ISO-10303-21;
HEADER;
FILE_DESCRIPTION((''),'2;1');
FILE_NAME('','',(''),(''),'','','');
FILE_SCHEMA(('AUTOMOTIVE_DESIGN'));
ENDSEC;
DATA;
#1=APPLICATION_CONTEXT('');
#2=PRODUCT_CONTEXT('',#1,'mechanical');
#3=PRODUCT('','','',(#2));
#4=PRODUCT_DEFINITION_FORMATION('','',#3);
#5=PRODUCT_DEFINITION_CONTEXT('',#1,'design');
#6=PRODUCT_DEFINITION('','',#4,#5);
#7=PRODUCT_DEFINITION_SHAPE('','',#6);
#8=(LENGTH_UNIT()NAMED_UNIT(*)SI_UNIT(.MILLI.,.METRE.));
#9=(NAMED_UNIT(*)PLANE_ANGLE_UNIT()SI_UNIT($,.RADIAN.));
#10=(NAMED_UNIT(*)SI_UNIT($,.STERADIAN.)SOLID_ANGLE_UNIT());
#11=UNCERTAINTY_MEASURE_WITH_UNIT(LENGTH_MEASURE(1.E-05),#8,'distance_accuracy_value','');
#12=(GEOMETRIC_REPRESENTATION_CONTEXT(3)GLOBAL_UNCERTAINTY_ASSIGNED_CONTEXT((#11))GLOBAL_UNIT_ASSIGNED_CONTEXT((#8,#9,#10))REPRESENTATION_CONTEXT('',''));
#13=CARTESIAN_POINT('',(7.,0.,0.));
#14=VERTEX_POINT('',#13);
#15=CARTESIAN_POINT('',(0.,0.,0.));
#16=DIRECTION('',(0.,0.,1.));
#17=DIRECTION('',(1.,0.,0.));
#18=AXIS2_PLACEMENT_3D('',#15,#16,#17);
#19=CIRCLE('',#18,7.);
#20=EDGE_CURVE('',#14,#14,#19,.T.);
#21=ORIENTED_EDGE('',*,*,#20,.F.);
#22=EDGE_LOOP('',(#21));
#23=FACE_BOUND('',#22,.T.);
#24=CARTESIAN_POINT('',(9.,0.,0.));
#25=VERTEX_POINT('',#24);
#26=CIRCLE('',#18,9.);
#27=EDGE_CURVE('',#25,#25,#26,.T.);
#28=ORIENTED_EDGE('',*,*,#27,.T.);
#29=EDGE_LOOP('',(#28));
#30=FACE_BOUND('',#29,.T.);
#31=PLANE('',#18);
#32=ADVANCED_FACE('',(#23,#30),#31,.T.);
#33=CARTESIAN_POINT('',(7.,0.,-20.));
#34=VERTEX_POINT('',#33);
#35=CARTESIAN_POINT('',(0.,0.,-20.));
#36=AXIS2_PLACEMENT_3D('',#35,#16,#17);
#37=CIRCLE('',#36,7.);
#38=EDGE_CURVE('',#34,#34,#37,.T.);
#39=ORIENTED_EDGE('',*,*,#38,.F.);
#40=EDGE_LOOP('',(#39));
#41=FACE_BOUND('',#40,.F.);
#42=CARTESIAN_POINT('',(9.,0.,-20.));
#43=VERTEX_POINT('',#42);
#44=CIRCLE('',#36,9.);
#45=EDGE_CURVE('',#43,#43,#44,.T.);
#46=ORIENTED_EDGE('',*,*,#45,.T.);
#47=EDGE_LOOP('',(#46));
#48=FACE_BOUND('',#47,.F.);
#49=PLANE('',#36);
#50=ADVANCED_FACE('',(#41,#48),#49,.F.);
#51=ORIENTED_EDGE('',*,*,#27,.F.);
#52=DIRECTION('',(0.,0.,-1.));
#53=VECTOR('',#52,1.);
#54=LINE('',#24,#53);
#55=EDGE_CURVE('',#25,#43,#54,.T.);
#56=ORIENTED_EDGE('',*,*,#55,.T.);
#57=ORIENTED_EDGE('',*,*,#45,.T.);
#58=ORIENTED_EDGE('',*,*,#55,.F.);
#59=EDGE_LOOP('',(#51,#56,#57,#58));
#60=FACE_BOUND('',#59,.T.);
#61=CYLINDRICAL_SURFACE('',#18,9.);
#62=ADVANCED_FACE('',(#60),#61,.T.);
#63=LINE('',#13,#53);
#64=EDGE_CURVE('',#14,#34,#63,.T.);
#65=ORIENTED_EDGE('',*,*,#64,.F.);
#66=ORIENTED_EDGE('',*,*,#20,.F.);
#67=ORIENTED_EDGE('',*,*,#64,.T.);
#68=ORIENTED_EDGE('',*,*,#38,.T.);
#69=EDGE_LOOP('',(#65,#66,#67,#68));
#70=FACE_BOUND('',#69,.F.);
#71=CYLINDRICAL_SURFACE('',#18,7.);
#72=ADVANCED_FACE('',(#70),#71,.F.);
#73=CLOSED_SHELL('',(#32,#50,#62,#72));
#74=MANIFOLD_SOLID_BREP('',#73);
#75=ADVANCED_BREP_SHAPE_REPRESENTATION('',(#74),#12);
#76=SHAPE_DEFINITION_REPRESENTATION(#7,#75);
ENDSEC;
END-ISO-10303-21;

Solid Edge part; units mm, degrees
sketch "Sketch1" plane through (0, 0, 0) normal (0, 0, 1) x (1, 0, 0)
  circle A0 centre (0, 0) radius 9
  circle A1 centre (0, 0) radius 7
extrude "Protrusion1" add sketch "Sketch1" against normal blind 20
